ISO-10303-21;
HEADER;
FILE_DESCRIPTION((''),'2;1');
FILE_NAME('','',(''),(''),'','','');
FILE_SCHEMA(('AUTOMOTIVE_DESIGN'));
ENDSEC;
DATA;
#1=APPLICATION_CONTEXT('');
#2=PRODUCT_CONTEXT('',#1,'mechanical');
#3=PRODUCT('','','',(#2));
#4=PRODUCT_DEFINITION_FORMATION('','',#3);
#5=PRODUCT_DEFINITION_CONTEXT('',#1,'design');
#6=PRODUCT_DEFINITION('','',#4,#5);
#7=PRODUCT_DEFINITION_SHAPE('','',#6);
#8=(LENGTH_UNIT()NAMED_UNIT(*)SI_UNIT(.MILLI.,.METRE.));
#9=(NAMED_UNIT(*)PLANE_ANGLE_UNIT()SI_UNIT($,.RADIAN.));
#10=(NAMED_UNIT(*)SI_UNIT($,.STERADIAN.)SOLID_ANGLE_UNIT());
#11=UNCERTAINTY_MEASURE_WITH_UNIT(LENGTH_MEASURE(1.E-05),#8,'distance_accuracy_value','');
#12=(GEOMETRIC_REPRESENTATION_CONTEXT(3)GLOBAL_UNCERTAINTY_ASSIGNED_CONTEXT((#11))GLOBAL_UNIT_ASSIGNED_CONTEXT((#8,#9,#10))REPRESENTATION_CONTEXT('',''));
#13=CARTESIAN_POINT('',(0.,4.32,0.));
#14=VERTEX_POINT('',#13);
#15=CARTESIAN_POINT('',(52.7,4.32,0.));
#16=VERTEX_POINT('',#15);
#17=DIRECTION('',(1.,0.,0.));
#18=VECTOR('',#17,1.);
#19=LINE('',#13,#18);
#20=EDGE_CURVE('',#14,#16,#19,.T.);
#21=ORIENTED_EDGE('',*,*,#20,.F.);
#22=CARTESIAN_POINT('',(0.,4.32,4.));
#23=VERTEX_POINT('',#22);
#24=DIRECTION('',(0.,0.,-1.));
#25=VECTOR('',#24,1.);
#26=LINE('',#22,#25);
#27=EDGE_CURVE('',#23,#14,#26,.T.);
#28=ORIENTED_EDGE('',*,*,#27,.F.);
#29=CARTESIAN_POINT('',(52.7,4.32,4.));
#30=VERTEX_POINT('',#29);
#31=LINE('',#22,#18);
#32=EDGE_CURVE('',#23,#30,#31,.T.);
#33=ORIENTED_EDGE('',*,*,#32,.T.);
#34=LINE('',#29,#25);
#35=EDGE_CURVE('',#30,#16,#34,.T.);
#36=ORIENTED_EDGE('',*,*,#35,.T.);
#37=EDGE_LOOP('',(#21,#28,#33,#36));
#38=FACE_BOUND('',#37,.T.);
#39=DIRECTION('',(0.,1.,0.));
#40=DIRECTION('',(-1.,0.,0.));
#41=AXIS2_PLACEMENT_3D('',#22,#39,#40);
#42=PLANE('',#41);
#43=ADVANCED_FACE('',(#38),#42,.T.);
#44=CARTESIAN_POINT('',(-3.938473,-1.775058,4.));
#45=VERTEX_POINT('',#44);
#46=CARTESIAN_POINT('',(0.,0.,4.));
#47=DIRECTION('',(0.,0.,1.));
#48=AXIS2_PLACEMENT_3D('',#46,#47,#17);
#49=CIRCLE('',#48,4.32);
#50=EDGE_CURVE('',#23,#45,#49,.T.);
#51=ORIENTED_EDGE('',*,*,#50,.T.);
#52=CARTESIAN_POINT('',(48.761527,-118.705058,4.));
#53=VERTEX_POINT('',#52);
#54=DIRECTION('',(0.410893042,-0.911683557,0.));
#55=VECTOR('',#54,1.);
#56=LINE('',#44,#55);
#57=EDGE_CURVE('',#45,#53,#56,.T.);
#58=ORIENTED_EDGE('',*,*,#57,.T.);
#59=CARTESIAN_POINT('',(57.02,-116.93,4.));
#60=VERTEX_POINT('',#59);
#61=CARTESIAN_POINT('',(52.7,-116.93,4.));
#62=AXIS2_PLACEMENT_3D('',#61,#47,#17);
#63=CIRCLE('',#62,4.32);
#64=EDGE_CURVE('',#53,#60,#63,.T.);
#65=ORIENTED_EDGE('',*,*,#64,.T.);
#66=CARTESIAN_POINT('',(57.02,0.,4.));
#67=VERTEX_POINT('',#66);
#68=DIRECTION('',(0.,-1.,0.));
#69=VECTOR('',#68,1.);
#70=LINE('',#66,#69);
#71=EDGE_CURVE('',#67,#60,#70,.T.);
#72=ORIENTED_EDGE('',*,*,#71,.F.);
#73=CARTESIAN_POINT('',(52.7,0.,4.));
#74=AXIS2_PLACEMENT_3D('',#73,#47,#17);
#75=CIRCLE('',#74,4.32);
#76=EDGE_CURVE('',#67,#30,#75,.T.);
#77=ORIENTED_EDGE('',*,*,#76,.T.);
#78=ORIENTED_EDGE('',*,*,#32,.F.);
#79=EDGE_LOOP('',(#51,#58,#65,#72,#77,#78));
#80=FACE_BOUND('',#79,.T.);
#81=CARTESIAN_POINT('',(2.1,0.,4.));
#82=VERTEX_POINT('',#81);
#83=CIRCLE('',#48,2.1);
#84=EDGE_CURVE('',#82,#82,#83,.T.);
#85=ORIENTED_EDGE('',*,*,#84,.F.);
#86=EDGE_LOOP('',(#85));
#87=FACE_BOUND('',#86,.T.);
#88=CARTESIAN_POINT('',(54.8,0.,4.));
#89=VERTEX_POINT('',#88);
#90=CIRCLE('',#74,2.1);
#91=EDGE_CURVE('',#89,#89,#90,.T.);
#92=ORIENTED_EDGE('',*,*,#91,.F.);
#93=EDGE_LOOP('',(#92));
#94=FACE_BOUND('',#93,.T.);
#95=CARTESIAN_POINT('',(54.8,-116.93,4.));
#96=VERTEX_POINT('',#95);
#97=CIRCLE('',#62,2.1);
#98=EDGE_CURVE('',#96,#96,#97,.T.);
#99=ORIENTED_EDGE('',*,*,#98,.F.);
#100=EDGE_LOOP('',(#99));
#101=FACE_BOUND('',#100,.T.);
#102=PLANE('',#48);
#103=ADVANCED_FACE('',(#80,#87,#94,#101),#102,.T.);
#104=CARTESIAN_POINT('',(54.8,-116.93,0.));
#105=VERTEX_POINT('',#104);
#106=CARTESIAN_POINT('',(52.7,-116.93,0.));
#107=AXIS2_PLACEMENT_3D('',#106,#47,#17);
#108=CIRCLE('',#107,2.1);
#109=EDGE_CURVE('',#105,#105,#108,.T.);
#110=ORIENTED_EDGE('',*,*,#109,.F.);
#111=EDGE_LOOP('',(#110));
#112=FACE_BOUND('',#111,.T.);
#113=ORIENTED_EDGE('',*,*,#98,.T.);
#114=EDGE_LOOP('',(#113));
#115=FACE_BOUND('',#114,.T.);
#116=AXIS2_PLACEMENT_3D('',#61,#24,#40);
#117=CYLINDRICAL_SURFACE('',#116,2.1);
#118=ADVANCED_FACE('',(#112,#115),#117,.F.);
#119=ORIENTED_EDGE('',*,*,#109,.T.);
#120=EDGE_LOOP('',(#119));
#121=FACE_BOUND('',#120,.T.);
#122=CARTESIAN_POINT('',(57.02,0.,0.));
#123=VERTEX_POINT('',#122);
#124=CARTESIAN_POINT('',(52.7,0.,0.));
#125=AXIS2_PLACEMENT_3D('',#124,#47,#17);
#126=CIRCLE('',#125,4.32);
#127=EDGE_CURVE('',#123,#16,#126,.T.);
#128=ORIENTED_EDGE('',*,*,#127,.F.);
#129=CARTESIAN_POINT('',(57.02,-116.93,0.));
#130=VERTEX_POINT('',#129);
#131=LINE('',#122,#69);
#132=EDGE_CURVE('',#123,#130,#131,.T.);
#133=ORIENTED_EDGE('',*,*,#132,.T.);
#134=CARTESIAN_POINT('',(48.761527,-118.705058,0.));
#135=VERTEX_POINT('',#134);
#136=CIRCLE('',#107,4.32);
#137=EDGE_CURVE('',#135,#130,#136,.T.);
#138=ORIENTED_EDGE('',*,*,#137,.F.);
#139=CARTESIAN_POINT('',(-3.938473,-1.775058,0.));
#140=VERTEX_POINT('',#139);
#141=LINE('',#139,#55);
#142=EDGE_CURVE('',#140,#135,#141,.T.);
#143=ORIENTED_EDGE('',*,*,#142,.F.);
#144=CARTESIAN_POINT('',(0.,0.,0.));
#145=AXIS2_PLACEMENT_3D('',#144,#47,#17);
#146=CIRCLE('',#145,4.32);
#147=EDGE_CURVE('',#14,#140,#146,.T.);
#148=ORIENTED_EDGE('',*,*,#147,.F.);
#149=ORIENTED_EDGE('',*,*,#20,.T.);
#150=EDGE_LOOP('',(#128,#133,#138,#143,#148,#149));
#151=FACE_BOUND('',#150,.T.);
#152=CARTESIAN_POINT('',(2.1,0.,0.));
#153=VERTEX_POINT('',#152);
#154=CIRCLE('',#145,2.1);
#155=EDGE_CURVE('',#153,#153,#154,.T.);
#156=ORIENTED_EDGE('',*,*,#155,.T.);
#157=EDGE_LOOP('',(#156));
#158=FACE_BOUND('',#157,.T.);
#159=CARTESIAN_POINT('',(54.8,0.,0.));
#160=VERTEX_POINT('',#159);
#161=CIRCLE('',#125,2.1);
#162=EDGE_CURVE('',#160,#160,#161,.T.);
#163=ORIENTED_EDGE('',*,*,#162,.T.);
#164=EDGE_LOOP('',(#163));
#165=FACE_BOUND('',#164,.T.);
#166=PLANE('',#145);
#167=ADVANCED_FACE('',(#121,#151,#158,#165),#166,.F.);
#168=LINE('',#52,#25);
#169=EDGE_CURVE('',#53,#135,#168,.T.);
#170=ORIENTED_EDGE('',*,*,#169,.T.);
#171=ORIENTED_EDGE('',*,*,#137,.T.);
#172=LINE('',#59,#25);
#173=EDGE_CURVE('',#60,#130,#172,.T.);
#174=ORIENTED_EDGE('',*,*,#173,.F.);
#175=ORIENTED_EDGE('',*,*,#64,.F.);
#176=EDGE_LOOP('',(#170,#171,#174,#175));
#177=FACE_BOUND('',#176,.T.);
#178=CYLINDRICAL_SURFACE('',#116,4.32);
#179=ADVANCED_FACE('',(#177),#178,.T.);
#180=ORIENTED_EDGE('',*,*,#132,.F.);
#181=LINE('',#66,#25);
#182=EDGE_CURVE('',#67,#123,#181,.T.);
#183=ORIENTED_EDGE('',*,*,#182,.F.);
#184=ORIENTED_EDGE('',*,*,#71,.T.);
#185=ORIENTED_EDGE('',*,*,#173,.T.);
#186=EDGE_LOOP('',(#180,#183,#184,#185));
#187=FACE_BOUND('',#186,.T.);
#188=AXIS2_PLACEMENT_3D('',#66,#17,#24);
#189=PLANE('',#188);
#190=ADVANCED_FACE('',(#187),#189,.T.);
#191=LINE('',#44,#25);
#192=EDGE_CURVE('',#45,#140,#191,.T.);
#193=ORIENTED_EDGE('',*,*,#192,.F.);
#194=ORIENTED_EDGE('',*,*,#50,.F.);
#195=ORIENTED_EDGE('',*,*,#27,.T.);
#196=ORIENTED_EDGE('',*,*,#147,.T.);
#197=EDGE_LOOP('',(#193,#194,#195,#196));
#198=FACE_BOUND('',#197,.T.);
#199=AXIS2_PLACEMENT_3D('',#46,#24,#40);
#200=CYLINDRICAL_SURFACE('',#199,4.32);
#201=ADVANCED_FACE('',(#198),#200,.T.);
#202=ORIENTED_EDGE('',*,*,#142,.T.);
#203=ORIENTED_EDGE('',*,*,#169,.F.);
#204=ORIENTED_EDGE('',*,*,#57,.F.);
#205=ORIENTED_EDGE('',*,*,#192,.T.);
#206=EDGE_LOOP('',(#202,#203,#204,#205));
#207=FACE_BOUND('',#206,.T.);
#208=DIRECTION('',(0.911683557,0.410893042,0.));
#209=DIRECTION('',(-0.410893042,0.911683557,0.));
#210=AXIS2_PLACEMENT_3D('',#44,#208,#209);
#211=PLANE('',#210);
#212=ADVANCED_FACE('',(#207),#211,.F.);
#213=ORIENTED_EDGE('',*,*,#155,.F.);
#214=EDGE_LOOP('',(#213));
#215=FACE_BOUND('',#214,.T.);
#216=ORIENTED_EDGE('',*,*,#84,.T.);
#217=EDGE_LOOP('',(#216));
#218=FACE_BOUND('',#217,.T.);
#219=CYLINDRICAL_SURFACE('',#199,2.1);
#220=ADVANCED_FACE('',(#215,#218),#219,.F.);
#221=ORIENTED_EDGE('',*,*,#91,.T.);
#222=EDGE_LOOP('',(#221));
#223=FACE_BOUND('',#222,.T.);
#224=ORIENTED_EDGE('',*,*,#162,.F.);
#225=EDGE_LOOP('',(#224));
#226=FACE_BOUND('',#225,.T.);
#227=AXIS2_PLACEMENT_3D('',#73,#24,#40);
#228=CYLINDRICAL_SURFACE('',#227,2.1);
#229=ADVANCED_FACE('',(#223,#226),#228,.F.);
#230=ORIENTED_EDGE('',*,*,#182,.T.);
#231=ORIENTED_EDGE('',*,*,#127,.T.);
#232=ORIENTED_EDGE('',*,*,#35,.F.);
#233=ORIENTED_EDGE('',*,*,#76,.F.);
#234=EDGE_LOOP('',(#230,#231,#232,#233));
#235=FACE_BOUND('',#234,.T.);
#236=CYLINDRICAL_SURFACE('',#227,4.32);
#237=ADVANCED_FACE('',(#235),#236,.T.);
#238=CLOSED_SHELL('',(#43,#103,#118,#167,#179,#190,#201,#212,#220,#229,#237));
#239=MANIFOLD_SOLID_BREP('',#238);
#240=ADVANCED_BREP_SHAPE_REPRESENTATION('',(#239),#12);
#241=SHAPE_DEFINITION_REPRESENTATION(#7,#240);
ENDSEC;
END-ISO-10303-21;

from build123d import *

# Parameters (mm, degrees)
SKETCH1_R           = 4.32
SKETCH1_R_2         = 2.1
BOSS_EXTRUDE1_DEPTH = 4


with BuildPart() as part:
    # Sketch1 → Boss-Extrude1 (new body)
    with BuildSketch(Plane.XY):
        with BuildLine():
            Line((52.7, 4.32), (0, 4.32))
            ThreePointArc((0, 4.32), (3.054701295, 3.054701295), (4.32, 0))
            ThreePointArc((4.32, 0), (0.907798653, -4.223541358), (-3.938472965, -1.775057943))
            Line((-3.938472965, -1.775057943), (48.761527035, -118.705057943))
            ThreePointArc((48.761527035, -118.705057943), (51.792201347, -112.706458642), (57.02, -116.93))
            Line((57.02, -116.93), (57.02, 0))
            ThreePointArc((57.02, 0), (49.645298705, -3.054701295), (52.7, 4.32))
        make_face()
        Circle(SKETCH1_R)
        Circle(SKETCH1_R_2, mode=Mode.SUBTRACT)
        with Locations((52.7, 0)):
            Circle(SKETCH1_R)
        with Locations((52.7, 0)):
            Circle(SKETCH1_R_2, mode=Mode.SUBTRACT)
        with Locations((52.7, -116.93)):
            Circle(SKETCH1_R)
        with Locations((52.7, -116.93)):
            Circle(SKETCH1_R_2, mode=Mode.SUBTRACT)
    extrude(amount=BOSS_EXTRUDE1_DEPTH)


solid = part.part
